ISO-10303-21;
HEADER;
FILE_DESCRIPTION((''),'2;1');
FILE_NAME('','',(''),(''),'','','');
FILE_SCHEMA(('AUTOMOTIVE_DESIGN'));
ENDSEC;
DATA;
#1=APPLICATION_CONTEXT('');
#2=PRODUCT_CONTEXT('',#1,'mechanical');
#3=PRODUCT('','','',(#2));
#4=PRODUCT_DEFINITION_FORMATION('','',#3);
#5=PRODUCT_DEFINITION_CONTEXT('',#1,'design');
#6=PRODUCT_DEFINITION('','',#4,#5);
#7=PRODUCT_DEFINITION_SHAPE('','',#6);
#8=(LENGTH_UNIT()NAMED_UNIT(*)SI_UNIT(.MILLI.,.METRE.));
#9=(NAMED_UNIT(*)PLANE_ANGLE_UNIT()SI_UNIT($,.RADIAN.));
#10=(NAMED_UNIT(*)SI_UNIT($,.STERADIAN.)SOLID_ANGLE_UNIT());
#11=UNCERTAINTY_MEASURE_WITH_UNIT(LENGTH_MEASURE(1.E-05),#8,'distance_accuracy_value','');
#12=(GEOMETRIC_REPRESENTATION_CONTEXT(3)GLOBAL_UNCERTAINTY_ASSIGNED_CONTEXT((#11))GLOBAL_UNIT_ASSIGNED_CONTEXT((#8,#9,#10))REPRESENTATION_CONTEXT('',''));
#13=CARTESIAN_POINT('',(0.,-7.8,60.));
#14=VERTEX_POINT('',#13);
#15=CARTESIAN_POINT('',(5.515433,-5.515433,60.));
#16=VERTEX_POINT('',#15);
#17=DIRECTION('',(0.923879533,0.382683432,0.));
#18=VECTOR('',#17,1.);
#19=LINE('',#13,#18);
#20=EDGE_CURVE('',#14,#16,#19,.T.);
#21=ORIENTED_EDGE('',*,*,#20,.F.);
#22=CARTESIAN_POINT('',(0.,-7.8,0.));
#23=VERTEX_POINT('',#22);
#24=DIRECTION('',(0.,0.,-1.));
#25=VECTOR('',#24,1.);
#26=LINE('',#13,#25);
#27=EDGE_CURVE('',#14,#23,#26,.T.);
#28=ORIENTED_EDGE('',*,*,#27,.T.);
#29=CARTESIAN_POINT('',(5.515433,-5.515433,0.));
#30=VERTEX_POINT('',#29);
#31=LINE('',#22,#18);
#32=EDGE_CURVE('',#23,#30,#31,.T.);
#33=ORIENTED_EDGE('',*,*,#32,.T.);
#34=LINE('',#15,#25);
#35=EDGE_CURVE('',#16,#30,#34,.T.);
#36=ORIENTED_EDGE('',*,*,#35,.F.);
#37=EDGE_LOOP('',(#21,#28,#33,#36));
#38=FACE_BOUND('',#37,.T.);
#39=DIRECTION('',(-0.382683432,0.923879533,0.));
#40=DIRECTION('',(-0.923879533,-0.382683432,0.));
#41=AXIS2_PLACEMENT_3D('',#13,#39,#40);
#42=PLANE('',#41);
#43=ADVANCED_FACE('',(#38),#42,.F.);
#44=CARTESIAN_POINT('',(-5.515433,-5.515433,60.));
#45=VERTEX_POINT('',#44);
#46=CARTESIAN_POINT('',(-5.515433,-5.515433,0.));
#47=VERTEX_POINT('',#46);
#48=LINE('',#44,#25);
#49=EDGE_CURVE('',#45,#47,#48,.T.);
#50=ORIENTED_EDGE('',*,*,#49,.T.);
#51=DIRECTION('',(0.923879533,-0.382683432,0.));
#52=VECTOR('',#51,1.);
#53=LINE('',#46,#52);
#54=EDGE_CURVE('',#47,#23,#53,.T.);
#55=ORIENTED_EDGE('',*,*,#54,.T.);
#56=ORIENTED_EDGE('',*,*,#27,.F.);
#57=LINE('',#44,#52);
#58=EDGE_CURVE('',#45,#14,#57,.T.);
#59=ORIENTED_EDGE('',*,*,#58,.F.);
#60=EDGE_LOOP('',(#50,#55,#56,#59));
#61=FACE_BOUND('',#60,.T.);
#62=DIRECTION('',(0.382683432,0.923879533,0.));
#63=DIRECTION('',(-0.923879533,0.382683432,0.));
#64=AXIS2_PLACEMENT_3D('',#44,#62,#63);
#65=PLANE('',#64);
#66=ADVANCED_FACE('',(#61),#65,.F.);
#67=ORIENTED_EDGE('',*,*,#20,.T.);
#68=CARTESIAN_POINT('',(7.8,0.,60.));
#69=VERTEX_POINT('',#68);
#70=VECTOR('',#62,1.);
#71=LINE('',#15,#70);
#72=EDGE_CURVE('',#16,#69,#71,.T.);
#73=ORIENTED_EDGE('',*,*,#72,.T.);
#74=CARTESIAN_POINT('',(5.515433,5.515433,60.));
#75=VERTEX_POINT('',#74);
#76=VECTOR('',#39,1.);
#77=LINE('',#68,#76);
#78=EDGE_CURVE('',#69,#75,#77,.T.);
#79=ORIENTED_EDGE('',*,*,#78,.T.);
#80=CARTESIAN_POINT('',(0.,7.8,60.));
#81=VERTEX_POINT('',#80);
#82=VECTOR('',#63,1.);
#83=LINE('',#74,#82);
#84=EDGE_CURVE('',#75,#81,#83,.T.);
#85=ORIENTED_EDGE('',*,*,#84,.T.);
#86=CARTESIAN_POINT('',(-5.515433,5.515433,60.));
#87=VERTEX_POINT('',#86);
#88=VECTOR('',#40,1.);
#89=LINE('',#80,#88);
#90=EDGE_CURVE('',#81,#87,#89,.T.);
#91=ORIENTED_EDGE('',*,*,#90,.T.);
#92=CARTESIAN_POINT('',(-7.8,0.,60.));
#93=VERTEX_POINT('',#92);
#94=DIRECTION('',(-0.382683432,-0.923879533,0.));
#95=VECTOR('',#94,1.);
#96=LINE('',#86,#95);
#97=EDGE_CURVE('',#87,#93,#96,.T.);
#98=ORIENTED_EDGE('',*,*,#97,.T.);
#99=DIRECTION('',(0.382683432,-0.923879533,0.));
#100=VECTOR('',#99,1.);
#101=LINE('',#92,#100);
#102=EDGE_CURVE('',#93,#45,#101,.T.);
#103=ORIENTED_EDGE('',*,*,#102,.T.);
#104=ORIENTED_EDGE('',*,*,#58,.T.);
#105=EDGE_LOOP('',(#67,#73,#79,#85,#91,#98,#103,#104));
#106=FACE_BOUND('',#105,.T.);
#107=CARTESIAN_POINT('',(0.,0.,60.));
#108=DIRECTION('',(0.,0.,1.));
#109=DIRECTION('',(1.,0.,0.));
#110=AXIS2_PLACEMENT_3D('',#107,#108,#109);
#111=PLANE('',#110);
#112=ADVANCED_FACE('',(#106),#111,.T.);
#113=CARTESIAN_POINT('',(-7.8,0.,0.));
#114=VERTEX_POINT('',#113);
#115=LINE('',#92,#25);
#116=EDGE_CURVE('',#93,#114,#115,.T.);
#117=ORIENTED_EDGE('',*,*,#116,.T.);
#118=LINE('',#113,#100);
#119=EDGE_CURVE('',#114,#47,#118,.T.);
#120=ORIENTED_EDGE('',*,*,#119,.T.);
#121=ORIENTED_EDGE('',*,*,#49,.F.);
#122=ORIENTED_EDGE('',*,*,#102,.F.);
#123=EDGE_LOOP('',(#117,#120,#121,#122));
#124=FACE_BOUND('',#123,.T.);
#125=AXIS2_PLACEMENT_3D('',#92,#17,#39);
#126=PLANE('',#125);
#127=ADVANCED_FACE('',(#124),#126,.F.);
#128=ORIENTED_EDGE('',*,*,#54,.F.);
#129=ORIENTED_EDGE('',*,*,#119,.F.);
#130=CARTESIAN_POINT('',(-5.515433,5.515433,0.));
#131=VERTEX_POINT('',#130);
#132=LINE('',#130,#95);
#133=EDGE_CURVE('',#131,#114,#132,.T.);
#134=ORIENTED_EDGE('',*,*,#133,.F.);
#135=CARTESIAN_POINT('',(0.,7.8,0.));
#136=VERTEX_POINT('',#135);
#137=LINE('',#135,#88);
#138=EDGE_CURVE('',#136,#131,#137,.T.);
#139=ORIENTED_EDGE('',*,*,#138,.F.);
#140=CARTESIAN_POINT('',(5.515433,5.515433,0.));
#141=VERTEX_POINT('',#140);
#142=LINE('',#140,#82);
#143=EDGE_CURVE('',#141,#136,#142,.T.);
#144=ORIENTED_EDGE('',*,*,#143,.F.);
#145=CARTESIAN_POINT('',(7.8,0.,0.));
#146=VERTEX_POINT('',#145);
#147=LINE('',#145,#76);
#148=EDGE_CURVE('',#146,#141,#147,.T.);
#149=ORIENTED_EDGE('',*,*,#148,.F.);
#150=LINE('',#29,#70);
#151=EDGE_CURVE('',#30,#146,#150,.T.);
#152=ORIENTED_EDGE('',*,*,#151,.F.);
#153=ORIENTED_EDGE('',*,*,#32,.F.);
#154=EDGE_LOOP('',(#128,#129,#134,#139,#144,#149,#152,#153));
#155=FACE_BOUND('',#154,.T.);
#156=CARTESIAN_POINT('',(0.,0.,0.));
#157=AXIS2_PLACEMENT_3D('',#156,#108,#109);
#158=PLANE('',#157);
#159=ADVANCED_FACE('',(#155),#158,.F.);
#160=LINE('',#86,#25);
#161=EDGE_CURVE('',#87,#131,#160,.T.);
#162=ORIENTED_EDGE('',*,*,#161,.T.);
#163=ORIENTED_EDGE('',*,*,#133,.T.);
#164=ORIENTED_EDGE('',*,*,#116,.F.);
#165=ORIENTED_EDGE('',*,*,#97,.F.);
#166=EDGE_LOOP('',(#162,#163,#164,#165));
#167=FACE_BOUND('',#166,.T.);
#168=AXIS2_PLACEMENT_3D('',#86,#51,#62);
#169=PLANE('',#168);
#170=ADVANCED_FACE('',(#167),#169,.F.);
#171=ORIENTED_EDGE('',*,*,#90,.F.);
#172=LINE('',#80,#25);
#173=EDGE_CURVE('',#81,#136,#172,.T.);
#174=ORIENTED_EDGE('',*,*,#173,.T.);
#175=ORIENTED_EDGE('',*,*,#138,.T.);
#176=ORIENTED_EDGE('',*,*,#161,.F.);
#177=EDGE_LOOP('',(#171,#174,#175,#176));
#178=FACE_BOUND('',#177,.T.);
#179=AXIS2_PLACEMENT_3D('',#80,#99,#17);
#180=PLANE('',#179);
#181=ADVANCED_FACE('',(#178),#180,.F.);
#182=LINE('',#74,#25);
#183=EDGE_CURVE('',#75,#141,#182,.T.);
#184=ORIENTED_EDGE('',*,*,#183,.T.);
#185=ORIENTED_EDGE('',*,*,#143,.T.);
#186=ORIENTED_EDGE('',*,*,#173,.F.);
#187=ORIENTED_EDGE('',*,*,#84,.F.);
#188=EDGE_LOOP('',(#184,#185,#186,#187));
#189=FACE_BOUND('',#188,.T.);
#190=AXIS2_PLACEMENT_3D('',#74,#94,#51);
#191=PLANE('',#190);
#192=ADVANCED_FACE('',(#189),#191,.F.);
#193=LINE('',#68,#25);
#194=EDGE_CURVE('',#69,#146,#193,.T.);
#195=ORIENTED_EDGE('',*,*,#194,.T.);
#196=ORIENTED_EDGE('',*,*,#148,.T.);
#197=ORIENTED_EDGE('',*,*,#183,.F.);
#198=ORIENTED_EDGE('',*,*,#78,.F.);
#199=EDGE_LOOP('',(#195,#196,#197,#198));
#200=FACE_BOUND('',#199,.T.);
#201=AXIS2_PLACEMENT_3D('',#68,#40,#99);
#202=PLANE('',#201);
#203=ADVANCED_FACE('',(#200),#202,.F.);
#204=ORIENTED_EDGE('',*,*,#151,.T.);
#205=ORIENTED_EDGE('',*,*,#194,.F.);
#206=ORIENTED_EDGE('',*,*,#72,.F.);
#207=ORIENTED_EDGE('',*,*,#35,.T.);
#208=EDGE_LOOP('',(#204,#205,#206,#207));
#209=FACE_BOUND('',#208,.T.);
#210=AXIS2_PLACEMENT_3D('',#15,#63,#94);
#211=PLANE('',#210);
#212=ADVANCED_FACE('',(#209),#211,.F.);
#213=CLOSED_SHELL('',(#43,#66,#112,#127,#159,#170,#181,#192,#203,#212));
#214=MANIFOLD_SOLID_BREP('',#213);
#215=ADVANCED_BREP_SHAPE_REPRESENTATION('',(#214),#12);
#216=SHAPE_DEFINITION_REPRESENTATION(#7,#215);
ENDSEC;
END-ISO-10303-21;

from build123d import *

# Parameters (mm, degrees)
BOSS_EXTRUDE1_DEPTH = 60
BOSS_EXTRUDE2_DEPTH = 60
SKETCH4_W           = 60
SKETCH4_H           = 14.412520708
CUT_EXTRUDE1_DEPTH  = 60


with BuildPart() as part:
    # Sketch2 → Boss-Extrude1 (new body)
    with BuildSketch(Plane.XY):
        Polygon((7.8, 0), (5.515432893, 5.515432893), (0, 7.8), (-5.515432893, 5.515432893), (-7.8, 0), (-5.515432893, -5.515432893), (0, -7.8), (5.515432893, -5.515432893), align=None)
    extrude(amount=BOSS_EXTRUDE1_DEPTH)

    # Sketch3 → Boss-Extrude2 (add)
    with BuildSketch(Plane.XY.offset(60)):
        with BuildLine():
            ThreePointArc((-5.515432893, 5.515432893), (-2.284567107, 5.515432893), (0, 7.8))
            ThreePointArc((0, 7.8), (2.284567107, 5.515432893), (5.515432893, 5.515432893))
            ThreePointArc((5.515432893, 5.515432893), (5.515432893, 2.284567107), (7.8, 0))
            ThreePointArc((7.8, 0), (5.515432893, -2.284567107), (5.515432893, -5.515432893))
            ThreePointArc((5.515432893, -5.515432893), (2.284567107, -5.515432893), (0, -7.8))
            ThreePointArc((0, -7.8), (-2.284567107, -5.515432893), (-5.515432893, -5.515432893))
            ThreePointArc((-5.515432893, -5.515432893), (-4.916369213, -2.036426805), (-7.8, 0))
            ThreePointArc((-7.8, 0), (-5.515432893, 2.284567107), (-5.515432893, 5.515432893))
        make_face()
    extrude(amount=BOSS_EXTRUDE2_DEPTH)

    # Sketch4 → Cut-Extrude1 (cut)
    with BuildSketch(Plane(origin=(-6.657716447, -2.757716447, 0), x_dir=(0, 0, 1), z_dir=(-0.9238795325112824, -0.3826834323651004, 0))):
        with Locations((90, 0)):
            Rectangle(SKETCH4_W, SKETCH4_H)
    extrude(amount=-CUT_EXTRUDE1_DEPTH, mode=Mode.SUBTRACT)


solid = part.part
